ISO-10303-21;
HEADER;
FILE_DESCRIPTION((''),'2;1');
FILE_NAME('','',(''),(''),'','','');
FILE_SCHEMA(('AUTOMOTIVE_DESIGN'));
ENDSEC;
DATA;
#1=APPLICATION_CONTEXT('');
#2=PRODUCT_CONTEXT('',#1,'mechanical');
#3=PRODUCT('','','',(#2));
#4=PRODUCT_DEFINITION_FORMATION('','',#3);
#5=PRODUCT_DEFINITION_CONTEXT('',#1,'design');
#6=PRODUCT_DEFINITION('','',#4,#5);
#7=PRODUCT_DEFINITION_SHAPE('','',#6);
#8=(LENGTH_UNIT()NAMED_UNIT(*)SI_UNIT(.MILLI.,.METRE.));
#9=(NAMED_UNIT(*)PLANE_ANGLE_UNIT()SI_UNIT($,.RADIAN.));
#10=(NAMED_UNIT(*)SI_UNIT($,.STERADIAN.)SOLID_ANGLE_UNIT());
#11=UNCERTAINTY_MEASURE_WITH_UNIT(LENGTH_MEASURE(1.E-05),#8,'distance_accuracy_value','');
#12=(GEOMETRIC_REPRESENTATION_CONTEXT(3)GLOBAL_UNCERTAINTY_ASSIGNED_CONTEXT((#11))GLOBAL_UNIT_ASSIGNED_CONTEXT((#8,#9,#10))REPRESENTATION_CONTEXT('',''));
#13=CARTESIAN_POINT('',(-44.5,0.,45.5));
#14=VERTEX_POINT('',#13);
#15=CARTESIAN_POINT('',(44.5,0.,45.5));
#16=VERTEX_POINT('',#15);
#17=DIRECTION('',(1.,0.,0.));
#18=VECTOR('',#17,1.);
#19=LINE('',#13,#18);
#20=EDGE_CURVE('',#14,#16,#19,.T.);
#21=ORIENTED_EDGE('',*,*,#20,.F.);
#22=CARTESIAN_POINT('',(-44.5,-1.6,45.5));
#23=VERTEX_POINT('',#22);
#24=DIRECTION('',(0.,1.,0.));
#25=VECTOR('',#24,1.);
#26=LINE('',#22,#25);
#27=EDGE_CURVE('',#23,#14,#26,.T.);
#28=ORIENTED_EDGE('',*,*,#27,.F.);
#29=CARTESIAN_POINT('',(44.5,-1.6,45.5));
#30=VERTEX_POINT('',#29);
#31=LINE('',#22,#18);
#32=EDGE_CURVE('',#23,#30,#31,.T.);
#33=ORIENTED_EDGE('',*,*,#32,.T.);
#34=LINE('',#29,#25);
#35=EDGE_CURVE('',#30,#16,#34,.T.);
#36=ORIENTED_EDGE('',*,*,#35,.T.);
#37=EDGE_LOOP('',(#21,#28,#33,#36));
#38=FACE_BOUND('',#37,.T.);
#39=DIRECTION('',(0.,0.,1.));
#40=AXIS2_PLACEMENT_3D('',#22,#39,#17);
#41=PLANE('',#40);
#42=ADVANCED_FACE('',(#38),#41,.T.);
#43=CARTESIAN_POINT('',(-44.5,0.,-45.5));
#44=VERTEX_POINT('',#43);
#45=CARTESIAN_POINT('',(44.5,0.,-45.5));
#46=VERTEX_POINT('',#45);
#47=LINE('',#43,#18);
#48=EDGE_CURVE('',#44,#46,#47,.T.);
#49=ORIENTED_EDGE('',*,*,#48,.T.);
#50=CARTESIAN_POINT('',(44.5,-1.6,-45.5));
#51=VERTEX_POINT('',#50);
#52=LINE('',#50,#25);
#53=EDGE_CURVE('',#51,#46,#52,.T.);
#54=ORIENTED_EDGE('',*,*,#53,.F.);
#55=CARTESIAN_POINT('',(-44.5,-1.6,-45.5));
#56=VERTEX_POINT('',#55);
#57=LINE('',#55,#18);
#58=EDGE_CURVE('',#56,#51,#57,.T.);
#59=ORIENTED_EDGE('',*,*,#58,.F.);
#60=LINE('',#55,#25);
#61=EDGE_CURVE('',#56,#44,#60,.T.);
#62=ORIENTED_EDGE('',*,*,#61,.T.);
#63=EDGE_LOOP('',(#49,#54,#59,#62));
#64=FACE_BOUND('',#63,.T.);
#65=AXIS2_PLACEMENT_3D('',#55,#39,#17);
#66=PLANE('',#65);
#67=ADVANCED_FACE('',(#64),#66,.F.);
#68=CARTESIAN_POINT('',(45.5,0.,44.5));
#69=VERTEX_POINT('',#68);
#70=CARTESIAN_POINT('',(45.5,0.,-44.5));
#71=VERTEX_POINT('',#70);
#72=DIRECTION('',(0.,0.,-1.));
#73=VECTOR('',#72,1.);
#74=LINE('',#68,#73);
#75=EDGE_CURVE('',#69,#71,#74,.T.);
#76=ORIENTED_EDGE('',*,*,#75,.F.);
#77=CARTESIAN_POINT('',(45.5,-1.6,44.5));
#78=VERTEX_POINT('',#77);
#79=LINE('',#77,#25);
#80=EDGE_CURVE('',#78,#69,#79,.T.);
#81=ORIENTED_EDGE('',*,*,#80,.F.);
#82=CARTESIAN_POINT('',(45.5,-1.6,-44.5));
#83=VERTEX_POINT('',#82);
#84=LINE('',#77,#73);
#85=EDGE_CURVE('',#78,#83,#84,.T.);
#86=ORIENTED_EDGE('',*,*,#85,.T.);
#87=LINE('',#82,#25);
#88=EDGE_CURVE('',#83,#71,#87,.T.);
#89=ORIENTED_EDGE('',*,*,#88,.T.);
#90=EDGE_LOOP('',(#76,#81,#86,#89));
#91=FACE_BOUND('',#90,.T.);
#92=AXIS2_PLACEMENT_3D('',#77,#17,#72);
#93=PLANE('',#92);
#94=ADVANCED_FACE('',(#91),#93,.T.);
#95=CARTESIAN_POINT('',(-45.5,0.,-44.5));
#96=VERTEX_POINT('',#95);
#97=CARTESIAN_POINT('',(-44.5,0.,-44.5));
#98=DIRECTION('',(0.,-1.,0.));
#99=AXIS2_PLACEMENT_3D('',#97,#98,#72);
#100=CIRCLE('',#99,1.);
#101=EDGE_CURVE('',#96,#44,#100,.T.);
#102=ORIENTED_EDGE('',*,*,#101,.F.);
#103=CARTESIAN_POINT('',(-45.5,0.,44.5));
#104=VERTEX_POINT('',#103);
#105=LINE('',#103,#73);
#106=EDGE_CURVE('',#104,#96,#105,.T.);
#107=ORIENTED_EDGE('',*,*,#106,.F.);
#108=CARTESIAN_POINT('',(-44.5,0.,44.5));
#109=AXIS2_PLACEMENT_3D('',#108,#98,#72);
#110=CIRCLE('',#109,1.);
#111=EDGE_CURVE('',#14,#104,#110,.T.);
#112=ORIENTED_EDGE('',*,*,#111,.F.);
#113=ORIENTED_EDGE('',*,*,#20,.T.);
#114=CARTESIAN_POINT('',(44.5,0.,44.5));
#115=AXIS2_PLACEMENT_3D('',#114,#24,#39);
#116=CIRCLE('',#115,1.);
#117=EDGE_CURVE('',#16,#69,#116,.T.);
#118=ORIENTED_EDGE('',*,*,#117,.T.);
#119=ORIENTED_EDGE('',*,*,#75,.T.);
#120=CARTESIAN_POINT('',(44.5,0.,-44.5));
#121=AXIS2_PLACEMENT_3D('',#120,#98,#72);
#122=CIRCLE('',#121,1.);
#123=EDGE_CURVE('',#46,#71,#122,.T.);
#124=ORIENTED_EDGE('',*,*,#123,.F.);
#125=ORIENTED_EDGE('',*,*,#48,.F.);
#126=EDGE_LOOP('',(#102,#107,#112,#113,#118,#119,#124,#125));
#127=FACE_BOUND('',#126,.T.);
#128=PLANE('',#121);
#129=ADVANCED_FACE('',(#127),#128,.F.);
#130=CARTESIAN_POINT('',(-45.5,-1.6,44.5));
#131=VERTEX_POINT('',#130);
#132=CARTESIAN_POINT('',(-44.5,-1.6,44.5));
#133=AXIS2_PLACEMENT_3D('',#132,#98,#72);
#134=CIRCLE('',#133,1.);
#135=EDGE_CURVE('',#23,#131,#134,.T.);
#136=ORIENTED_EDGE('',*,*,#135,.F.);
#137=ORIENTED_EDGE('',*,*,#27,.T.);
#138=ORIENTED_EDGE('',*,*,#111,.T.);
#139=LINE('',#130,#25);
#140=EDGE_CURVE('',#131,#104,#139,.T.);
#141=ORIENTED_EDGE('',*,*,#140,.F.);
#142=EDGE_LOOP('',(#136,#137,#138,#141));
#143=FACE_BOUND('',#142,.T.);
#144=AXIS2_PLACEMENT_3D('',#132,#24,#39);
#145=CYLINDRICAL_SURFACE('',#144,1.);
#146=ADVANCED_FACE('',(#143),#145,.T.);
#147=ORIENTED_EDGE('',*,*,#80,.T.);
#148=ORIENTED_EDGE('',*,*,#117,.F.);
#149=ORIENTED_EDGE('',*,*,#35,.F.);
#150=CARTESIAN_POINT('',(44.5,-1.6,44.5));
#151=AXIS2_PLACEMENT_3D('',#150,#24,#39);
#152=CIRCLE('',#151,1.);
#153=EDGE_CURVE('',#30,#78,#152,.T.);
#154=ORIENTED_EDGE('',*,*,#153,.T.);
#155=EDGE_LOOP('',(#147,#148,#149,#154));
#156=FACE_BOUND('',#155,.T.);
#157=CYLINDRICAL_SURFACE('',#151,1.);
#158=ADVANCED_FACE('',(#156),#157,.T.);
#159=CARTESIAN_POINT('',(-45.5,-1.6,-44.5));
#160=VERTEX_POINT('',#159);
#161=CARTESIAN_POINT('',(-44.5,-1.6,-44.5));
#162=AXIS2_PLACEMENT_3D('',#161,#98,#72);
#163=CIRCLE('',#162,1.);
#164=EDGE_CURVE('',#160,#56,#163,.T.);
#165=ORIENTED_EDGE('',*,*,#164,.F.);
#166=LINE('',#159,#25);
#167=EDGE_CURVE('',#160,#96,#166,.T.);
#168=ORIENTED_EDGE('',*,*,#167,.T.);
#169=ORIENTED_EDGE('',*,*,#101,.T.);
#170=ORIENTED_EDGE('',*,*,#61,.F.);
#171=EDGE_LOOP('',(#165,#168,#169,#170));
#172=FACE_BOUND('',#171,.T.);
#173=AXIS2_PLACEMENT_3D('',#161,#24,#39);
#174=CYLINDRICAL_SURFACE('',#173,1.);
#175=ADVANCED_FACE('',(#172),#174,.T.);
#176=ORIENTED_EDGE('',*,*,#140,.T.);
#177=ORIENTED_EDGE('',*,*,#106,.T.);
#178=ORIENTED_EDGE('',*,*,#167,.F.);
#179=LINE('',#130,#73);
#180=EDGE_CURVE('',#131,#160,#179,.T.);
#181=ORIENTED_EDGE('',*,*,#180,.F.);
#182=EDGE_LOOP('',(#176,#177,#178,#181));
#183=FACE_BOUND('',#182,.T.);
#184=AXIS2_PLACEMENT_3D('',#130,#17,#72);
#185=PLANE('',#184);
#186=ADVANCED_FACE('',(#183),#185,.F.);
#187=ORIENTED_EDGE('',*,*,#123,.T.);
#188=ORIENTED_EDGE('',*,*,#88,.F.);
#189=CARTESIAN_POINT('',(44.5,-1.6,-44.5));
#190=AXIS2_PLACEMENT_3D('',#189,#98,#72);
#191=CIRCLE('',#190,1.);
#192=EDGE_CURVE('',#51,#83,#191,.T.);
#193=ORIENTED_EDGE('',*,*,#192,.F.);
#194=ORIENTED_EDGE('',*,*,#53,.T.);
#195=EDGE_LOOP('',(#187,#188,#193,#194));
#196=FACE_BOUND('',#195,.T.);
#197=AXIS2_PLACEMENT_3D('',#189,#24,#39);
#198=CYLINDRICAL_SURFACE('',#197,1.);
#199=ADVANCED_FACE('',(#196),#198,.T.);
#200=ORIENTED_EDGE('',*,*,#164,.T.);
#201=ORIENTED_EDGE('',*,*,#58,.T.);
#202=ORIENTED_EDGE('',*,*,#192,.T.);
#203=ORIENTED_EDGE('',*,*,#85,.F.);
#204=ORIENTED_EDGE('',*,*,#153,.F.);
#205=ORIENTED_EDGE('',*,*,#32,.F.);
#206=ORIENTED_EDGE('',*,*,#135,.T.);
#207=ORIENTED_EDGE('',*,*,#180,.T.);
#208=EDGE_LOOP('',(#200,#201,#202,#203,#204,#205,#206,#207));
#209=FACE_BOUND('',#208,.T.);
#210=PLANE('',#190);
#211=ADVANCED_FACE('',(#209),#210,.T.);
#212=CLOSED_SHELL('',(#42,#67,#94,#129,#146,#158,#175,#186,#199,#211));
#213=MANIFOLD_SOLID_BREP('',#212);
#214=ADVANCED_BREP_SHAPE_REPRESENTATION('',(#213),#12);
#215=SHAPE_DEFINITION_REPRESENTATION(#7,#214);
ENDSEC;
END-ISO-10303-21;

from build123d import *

# Parameters (mm, degrees)
BOSS_EXTRUDE1_DEPTH = 1.6


with BuildPart() as part:
    # Sketch1 → Boss-Extrude1 (new body)
    with BuildSketch(Plane(origin=(0, 0, 0), x_dir=(1, 0, 0), z_dir=(0, 1, 0))):
        with BuildLine():
            Line((-44.5, -45.5), (44.5, -45.5))
            ThreePointArc((44.5, -45.5), (45.207106781, -45.207106781), (45.5, -44.5))
            Line((45.5, -44.5), (45.5, 44.5))
            ThreePointArc((45.5, 44.5), (45.207106781, 45.207106781), (44.5, 45.5))
            Line((44.5, 45.5), (-44.5, 45.5))
            ThreePointArc((-44.5, 45.5), (-45.207106781, 45.207106781), (-45.5, 44.5))
            Line((-45.5, 44.5), (-45.5, -44.5))
            ThreePointArc((-45.5, -44.5), (-45.207106781, -45.207106781), (-44.5, -45.5))
        make_face()
    extrude(amount=-BOSS_EXTRUDE1_DEPTH)


solid = part.part
